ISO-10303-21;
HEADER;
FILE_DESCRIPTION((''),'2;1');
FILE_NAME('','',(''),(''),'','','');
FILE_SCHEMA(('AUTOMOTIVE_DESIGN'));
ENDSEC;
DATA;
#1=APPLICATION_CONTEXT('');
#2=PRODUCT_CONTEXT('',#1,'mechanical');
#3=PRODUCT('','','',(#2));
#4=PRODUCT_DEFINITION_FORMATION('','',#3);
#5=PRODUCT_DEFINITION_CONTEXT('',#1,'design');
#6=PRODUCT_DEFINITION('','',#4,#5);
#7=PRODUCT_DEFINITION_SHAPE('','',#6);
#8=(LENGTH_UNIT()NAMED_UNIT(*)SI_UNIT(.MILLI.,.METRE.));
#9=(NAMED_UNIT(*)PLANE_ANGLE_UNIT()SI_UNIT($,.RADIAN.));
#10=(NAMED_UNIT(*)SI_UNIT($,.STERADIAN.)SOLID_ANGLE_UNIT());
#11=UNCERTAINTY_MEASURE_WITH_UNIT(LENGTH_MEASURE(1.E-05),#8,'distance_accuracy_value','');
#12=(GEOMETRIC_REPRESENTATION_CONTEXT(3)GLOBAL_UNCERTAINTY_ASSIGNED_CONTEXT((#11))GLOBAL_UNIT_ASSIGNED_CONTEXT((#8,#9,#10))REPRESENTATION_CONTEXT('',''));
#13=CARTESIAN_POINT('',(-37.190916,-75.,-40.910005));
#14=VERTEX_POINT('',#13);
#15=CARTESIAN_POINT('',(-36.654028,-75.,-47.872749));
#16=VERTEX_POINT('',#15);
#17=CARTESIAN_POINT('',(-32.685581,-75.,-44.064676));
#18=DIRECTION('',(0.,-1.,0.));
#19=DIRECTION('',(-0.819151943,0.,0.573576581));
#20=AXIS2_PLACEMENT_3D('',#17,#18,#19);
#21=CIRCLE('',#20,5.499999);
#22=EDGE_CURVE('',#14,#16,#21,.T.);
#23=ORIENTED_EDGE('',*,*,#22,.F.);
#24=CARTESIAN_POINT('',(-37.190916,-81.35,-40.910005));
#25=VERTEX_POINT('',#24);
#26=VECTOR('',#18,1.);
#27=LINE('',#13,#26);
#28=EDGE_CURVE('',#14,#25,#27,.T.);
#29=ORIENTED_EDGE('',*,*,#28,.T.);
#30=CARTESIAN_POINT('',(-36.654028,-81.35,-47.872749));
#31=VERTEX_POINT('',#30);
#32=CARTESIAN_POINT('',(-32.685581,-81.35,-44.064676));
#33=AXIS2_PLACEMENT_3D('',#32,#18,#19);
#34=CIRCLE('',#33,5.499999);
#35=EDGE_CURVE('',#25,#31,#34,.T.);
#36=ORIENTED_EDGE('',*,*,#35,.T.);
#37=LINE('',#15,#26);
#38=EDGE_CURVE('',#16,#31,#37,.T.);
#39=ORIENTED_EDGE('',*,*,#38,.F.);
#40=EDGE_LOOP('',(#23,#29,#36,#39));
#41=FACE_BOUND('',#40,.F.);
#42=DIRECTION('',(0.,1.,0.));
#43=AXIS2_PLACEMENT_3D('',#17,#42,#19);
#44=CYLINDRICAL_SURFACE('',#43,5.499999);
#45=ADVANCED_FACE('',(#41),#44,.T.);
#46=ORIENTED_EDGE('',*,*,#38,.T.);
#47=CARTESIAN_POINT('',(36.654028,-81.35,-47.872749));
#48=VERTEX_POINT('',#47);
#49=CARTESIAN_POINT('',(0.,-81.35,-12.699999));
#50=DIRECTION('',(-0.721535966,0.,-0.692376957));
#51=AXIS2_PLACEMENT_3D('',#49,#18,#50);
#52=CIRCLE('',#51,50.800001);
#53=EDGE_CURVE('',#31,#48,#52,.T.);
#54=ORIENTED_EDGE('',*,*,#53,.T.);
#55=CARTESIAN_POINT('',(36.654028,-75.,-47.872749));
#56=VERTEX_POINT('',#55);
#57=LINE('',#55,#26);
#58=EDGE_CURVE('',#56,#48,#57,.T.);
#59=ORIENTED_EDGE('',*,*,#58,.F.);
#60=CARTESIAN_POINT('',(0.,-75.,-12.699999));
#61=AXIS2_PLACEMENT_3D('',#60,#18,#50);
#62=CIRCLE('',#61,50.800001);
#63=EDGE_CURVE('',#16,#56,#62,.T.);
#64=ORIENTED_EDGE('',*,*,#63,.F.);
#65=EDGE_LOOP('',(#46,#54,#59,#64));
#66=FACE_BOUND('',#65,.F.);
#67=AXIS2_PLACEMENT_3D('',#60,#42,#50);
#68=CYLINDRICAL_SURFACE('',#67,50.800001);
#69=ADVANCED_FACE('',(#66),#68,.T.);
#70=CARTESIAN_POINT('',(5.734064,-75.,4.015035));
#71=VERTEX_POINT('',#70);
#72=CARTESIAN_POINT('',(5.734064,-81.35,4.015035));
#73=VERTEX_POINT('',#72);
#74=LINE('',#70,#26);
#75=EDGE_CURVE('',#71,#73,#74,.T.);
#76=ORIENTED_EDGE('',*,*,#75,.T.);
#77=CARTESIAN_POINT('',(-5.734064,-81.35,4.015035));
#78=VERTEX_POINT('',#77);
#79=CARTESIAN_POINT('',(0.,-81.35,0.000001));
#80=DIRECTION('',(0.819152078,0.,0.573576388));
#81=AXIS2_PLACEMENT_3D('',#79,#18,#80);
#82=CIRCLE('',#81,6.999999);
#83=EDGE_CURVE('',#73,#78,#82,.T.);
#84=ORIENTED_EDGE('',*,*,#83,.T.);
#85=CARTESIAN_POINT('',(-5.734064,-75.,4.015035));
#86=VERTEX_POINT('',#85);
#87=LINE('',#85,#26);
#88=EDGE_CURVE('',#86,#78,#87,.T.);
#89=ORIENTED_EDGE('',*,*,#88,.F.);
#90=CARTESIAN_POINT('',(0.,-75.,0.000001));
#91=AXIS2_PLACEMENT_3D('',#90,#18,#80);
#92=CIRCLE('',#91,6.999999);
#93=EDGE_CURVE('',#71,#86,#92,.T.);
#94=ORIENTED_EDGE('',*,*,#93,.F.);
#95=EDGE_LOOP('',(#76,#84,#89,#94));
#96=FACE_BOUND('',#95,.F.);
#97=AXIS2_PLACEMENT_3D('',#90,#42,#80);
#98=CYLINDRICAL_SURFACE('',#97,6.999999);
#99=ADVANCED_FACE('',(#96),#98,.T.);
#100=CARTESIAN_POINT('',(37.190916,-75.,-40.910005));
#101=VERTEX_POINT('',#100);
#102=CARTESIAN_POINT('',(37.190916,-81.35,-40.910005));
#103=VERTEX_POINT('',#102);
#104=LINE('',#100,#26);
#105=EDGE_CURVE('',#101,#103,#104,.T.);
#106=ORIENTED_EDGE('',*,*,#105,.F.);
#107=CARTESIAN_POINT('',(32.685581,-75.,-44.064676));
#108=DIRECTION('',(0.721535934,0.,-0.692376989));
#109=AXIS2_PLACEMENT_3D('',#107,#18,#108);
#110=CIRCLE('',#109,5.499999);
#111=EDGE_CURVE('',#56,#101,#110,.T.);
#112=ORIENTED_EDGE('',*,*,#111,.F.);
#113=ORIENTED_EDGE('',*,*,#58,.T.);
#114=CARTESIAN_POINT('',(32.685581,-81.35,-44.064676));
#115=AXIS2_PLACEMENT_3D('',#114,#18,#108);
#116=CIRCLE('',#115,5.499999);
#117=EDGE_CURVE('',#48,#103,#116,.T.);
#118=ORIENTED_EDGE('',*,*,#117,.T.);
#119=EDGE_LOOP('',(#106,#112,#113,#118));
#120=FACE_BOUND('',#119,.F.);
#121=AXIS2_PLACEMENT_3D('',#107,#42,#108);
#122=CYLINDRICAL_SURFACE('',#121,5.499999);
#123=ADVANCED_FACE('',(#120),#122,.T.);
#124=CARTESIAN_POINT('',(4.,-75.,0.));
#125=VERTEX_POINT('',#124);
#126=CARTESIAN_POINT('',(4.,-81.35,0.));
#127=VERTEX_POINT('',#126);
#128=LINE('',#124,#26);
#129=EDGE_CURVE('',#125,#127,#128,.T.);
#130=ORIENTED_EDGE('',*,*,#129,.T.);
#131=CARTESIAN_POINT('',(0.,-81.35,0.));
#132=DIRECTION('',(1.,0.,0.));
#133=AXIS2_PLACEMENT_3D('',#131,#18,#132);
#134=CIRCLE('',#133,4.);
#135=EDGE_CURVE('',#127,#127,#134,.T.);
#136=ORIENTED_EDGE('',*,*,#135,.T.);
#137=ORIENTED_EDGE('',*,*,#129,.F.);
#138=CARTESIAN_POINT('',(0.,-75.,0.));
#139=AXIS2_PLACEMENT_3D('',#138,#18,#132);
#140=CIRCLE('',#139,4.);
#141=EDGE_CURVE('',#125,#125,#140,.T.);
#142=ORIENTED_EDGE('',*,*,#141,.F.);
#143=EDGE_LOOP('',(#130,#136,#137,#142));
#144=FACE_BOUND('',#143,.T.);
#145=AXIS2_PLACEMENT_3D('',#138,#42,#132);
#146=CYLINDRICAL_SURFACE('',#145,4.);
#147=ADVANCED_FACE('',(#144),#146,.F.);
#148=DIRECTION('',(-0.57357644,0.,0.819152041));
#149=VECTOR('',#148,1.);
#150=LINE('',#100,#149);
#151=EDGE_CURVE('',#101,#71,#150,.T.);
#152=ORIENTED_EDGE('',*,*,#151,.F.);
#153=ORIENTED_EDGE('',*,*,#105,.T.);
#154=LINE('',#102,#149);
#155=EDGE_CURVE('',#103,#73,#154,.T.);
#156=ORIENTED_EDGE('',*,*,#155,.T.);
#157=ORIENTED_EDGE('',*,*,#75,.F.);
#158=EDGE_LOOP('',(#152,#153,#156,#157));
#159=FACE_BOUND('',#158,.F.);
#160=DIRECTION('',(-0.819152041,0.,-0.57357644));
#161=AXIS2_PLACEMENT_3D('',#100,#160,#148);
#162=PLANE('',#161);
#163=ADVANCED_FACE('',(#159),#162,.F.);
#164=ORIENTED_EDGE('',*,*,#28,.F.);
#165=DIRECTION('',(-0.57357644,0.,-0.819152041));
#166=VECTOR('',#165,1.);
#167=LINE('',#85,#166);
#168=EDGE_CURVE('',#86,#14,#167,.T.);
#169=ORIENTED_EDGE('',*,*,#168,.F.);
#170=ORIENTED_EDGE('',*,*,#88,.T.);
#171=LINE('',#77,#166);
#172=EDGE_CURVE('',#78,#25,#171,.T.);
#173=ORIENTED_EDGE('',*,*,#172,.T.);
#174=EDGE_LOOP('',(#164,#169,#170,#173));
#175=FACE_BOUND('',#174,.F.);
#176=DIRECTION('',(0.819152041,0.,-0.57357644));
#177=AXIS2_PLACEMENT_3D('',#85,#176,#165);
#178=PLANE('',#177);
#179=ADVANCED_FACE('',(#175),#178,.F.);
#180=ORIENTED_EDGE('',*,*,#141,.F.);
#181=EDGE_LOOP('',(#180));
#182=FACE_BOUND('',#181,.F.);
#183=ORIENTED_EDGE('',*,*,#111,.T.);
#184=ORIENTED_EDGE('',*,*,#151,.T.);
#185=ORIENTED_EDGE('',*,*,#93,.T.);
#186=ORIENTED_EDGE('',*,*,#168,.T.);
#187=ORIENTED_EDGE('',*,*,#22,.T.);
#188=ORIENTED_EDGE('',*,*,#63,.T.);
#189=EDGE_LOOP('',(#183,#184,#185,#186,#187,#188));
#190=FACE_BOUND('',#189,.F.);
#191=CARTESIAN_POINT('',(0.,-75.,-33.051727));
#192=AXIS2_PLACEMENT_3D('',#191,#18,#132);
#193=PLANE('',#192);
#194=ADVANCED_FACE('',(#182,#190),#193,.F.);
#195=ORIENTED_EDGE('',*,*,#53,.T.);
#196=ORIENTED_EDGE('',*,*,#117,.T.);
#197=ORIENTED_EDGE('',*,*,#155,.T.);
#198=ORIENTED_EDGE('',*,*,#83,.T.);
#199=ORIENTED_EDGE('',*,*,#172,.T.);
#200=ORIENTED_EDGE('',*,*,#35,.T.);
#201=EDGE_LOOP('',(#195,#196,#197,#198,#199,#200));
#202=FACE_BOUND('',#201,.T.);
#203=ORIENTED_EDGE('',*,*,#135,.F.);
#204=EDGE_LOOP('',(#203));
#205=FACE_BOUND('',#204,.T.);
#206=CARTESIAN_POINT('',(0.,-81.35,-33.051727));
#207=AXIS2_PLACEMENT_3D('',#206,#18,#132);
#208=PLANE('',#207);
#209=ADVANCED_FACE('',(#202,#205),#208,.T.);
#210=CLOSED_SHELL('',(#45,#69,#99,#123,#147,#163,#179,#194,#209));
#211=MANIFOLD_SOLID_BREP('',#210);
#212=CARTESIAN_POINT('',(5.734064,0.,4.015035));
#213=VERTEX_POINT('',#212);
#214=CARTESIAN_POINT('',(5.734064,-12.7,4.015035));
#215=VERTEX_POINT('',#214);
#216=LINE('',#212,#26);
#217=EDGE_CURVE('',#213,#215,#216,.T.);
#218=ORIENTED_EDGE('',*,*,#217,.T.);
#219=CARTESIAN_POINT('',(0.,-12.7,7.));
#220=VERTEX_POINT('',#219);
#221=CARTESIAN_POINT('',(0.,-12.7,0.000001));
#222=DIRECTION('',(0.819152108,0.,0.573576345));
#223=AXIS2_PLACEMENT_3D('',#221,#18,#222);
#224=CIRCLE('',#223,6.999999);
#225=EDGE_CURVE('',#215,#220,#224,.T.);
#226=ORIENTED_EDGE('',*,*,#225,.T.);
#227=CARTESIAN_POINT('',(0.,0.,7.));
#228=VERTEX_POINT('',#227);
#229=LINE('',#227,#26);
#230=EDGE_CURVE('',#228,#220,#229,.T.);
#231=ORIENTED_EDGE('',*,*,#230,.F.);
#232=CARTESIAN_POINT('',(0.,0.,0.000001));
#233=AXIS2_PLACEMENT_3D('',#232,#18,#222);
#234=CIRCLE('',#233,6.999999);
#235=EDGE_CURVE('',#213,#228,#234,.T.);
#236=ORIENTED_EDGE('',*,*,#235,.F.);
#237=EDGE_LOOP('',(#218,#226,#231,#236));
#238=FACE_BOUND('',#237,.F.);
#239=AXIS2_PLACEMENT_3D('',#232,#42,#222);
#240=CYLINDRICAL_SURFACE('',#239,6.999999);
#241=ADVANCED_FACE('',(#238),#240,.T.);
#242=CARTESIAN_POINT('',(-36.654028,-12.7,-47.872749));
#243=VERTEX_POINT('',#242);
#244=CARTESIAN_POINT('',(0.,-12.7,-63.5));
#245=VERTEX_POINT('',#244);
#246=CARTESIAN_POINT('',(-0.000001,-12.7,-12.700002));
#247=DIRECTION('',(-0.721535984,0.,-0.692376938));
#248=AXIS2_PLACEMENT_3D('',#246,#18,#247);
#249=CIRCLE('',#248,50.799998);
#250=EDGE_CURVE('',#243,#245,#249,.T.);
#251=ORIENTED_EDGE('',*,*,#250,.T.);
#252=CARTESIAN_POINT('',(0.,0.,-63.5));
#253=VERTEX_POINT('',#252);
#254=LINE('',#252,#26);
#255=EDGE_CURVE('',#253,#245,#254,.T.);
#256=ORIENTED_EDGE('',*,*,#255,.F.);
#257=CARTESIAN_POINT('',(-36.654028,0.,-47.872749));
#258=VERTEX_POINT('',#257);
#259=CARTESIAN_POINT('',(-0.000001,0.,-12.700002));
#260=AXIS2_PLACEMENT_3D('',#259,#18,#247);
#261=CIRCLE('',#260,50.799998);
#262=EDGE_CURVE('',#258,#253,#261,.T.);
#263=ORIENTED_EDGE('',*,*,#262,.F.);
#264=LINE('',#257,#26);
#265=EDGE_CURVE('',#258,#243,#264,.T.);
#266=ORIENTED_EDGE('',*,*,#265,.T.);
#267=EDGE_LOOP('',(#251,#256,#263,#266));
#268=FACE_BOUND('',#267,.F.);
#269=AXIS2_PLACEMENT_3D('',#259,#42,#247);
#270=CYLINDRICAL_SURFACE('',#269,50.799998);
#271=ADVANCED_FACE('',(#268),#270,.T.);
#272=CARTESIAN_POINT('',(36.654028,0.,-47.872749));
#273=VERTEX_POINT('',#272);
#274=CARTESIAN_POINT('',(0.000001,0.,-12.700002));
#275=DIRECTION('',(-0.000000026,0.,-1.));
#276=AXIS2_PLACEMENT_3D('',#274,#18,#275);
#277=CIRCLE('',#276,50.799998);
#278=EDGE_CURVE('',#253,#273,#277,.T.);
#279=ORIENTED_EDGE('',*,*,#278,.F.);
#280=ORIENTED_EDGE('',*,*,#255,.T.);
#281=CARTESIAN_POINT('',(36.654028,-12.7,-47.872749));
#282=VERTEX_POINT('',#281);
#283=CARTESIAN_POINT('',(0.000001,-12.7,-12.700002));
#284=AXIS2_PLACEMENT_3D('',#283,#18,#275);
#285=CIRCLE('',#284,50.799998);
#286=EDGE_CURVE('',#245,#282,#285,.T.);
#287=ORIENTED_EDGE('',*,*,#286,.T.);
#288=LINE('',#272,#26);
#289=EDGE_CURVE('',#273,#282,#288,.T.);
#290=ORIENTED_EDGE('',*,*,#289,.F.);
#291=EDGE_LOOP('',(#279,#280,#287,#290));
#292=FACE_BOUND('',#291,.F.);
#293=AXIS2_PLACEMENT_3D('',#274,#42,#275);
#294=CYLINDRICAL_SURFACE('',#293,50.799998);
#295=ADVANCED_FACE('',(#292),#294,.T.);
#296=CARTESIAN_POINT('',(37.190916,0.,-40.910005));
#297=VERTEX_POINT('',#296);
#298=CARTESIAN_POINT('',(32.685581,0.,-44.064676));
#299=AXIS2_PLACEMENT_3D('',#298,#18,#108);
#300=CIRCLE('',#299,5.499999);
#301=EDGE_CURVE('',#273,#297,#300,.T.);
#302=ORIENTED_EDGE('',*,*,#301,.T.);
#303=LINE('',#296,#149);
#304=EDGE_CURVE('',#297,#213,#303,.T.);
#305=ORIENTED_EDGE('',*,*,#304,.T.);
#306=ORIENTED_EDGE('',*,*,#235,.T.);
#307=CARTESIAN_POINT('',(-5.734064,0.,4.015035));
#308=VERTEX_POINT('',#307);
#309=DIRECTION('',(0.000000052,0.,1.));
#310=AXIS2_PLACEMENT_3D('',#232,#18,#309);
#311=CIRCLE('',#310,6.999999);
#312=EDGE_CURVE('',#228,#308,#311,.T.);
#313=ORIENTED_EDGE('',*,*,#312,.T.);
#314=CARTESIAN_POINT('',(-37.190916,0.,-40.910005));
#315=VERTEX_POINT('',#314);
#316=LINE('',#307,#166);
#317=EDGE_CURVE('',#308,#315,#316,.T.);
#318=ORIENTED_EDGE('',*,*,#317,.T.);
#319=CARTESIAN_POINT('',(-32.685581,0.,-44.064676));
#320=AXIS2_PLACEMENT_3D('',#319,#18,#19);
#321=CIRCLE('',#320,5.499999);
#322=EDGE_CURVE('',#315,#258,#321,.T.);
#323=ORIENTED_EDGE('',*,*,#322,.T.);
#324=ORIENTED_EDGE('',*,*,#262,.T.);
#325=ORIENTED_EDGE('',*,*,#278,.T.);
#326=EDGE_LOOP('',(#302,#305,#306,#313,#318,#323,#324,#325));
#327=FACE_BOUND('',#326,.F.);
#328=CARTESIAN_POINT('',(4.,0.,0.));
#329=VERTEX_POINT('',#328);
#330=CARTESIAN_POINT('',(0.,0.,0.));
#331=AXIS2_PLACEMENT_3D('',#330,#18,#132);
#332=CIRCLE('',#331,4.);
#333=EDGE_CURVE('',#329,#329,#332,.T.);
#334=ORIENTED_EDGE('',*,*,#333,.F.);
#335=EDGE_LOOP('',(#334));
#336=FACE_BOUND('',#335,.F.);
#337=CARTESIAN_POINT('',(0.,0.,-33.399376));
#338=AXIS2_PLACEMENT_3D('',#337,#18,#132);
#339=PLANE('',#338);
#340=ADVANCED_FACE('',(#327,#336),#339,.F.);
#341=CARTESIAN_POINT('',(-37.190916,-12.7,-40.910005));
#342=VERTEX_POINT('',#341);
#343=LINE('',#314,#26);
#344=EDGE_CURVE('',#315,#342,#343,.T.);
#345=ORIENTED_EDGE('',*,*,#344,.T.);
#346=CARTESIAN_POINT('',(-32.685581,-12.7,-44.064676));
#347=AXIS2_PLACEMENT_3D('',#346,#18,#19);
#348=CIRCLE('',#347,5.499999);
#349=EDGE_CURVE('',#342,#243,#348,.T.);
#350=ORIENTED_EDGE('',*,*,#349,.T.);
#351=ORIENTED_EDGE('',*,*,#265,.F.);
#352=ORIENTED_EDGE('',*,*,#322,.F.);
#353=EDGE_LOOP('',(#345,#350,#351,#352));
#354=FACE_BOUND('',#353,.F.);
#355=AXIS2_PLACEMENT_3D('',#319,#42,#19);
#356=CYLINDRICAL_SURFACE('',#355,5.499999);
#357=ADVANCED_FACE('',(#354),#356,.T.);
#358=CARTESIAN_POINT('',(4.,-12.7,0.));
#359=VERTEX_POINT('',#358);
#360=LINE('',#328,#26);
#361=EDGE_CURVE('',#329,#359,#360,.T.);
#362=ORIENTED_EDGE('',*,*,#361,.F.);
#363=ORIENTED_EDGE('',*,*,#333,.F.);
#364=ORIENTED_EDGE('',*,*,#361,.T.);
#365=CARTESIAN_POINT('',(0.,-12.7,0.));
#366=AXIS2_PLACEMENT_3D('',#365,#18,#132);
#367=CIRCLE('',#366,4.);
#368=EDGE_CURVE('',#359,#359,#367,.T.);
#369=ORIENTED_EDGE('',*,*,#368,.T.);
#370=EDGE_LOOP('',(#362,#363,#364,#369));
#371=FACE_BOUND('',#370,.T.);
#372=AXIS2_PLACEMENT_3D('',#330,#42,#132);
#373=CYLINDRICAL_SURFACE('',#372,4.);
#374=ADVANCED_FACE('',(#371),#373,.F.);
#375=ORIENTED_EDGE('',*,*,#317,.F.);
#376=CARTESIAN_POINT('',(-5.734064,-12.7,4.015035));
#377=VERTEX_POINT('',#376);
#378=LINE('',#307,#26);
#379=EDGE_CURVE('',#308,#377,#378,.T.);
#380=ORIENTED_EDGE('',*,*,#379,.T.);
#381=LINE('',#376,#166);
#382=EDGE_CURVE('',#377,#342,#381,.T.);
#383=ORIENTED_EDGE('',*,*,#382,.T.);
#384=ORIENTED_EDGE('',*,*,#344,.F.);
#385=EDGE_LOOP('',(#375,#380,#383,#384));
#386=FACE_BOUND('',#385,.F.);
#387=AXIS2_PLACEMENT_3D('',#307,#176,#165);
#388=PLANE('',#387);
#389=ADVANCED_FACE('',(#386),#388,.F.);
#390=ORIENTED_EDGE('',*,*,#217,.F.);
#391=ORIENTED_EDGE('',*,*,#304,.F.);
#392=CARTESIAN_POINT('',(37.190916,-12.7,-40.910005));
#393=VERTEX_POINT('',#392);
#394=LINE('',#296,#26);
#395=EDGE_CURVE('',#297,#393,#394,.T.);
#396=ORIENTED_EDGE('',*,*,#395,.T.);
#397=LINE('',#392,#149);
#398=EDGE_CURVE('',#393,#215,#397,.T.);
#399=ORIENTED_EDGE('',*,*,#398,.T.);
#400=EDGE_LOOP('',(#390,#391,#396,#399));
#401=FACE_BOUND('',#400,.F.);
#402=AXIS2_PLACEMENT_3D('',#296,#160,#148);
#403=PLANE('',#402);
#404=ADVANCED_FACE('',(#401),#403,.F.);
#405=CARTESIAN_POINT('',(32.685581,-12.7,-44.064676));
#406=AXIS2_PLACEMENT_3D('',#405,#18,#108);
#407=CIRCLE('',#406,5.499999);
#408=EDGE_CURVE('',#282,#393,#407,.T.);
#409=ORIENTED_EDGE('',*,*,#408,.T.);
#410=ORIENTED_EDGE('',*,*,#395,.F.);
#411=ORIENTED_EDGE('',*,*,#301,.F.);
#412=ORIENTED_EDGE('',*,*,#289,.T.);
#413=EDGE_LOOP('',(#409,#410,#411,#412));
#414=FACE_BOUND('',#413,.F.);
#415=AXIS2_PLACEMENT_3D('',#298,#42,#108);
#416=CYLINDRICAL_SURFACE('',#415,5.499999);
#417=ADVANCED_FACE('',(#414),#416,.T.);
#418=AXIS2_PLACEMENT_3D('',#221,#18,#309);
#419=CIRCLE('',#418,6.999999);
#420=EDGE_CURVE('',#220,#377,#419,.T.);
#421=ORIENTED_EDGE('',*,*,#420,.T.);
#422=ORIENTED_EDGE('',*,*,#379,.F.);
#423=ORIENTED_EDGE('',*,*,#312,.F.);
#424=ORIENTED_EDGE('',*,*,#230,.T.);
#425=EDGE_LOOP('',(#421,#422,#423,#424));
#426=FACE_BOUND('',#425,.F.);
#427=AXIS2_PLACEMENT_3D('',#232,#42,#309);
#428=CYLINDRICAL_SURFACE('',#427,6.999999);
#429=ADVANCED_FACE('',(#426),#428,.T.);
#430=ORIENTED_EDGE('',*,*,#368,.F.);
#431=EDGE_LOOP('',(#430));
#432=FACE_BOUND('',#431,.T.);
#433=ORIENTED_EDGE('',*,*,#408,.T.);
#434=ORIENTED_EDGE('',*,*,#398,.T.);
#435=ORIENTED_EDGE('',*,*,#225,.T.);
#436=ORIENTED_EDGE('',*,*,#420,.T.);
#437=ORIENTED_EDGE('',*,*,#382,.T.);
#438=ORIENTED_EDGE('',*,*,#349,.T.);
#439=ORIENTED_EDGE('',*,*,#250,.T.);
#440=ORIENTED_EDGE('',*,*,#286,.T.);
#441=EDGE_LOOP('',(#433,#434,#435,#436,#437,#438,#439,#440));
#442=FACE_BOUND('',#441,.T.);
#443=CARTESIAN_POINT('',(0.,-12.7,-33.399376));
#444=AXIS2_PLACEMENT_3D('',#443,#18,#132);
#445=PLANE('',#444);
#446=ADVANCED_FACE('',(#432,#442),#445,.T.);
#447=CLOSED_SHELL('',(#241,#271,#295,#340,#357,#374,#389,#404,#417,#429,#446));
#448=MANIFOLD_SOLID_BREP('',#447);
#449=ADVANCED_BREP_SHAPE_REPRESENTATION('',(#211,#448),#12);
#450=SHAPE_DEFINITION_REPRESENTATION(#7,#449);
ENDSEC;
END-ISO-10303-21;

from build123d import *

# Parameters (mm, degrees)
F0_R     = 4
F1_DEPTH = 12.7
F3_R     = 4
F4_DEPTH = 6.35


with BuildPart() as f1:
    # F0 (on Front) → F1 (new body)
    with BuildSketch(Plane.XZ):
        with BuildLine():
            ThreePointArc((0, 7), (-3.23224, 6.209076), (-5.734064, 4.015035))
            Line((-5.734064, 4.015035), (-37.190916, -40.910005))
            ThreePointArc((-37.190916, -40.910005), (-38.169302, -44.487518), (-36.654028, -47.872749))
            ThreePointArc((-36.654028, -47.872749), (-19.923157, -59.43016), (0, -63.5))
            ThreePointArc((0, -63.5), (19.923157, -59.43016), (36.654028, -47.872749))
            ThreePointArc((36.654028, -47.872749), (38.169302, -44.487518), (37.190916, -40.910005))
            Line((37.190916, -40.910005), (5.734064, 4.015035))
            ThreePointArc((5.734064, 4.015035), (3.23224, 6.209076), (0, 7))
        make_face()
        Circle(F0_R, mode=Mode.SUBTRACT)
    extrude(amount=F1_DEPTH)


with BuildPart() as f4:
    # F3 (on offset) → F4 (new body)
    with BuildSketch(Plane.XZ.offset(75)):
        with BuildLine():
            ThreePointArc((36.654028, -47.872749), (38.169302, -44.487518), (37.190916, -40.910005))
            Line((37.190916, -40.910005), (5.734064, 4.015035))
            ThreePointArc((5.734064, 4.015035), (0, 7), (-5.734064, 4.015035))
            Line((-5.734064, 4.015035), (-37.190916, -40.910005))
            ThreePointArc((-37.190916, -40.910005), (-38.169302, -44.487518), (-36.654028, -47.872749))
            ThreePointArc((-36.654028, -47.872749), (0, -63.5), (36.654028, -47.872749))
        make_face()
        Circle(F3_R, mode=Mode.SUBTRACT)
    extrude(amount=F4_DEPTH)


solid = Compound([f1.part, f4.part])
